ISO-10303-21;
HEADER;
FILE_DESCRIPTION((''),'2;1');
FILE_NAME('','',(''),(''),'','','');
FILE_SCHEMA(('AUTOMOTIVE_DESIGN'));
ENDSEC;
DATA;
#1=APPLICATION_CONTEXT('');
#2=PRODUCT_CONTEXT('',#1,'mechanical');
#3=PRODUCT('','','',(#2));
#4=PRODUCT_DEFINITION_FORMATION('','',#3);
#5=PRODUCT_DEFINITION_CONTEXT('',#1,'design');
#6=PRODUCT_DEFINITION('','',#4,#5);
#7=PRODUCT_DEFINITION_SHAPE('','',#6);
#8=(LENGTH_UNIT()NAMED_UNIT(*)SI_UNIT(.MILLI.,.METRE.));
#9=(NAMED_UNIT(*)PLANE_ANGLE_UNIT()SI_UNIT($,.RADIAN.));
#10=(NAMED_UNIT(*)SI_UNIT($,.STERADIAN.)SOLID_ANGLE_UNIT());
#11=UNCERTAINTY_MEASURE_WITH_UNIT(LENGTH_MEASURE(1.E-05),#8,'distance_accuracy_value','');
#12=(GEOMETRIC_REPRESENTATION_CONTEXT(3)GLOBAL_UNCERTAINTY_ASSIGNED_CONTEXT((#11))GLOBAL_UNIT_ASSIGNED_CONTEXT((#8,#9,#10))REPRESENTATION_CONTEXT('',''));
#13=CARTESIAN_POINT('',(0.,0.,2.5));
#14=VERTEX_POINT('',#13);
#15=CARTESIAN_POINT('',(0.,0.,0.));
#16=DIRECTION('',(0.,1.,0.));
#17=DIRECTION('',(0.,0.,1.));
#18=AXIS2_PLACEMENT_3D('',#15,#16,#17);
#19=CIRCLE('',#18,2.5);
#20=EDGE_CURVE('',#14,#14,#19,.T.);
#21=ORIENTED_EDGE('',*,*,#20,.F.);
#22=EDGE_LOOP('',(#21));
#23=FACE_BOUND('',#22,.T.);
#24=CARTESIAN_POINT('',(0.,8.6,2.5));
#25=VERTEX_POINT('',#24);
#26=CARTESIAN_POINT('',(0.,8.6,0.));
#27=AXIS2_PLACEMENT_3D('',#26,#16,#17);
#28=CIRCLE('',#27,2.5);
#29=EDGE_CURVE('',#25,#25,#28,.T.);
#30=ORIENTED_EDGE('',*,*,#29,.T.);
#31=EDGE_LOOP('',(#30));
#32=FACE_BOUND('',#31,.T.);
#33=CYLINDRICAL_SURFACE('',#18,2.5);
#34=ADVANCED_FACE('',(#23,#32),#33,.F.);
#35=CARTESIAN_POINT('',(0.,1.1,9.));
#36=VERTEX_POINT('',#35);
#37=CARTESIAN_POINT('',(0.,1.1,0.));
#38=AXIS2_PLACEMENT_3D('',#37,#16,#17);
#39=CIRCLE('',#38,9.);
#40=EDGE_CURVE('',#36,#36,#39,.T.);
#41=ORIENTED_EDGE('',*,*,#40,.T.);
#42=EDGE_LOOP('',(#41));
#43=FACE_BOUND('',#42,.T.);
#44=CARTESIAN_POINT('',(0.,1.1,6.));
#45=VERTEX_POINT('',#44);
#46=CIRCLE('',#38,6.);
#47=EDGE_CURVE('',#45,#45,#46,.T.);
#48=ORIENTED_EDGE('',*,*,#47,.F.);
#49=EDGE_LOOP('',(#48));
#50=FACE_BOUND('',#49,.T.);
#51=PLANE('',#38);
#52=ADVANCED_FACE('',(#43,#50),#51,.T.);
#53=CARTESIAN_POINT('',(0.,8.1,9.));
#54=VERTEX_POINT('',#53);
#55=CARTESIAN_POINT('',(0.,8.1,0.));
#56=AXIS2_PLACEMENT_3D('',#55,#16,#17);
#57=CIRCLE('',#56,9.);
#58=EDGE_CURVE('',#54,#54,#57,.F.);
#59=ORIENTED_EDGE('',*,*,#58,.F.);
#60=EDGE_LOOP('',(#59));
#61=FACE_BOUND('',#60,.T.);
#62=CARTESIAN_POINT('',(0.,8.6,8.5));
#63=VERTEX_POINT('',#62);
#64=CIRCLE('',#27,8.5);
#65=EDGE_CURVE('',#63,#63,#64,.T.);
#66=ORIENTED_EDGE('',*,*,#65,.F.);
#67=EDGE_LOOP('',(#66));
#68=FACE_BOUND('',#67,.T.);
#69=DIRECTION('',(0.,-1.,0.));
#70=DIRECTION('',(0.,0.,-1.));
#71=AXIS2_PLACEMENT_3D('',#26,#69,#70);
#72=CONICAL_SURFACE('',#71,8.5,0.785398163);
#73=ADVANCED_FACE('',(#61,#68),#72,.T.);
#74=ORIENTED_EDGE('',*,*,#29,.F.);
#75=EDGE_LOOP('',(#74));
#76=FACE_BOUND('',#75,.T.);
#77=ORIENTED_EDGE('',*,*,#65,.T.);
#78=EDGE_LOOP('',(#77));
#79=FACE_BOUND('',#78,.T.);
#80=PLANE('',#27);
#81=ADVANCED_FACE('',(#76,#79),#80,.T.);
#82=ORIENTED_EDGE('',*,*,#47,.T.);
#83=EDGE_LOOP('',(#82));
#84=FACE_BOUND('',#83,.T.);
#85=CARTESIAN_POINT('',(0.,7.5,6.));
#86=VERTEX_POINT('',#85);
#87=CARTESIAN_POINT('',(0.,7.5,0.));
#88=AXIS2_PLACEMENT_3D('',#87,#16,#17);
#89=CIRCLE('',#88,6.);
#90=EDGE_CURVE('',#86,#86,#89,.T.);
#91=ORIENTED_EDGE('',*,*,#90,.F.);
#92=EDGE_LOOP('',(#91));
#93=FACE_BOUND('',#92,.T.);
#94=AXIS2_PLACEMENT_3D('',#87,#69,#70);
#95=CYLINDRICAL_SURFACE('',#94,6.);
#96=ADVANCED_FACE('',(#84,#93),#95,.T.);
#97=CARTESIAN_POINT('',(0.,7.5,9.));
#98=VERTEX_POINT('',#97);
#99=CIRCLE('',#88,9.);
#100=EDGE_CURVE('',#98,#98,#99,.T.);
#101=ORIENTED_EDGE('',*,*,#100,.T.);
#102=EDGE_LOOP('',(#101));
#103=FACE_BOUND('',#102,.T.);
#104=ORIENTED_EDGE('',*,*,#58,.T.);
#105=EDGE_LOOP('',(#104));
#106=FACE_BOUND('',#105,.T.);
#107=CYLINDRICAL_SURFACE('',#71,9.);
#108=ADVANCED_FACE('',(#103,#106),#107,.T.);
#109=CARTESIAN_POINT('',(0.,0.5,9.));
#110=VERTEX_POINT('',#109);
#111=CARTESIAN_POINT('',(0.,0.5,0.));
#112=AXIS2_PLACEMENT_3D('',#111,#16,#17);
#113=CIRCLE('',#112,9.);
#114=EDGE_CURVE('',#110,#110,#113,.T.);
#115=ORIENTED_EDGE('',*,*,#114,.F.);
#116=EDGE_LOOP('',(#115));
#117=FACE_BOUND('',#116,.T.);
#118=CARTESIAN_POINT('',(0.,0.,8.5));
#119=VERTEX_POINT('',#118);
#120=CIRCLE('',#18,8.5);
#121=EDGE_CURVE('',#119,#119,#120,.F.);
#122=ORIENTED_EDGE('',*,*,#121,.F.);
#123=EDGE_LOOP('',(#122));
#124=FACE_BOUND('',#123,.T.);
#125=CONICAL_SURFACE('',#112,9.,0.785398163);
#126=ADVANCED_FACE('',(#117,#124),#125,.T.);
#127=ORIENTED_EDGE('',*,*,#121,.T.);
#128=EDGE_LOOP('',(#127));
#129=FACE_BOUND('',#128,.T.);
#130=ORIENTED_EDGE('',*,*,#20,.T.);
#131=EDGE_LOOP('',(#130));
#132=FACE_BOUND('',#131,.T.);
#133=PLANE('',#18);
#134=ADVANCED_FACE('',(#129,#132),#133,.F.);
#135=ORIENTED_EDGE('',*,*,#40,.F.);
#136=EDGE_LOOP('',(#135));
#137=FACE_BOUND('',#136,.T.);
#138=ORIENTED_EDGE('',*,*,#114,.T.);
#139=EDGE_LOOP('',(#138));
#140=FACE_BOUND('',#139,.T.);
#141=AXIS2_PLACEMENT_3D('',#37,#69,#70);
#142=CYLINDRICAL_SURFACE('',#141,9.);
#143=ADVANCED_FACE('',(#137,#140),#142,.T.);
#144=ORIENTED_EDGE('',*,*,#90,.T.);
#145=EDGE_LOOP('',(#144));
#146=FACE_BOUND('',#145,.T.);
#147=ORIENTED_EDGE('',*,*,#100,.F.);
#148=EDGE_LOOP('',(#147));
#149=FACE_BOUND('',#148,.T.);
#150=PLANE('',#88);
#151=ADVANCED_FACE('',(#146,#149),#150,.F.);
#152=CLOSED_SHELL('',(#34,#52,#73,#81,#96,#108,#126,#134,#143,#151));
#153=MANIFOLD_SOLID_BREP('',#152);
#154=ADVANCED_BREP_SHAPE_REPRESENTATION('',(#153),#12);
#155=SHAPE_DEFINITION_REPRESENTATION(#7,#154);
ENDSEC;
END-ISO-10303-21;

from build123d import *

# Parameters (mm, degrees)
SKETCH_1_R          = 9
EXTRUDE_1_DEPTH     = 1.1
SKETCH_2_R          = 6
EXTRUDE_2_DEPTH     = 6.4
SKETCH_3_R          = 9
EXTRUDE_3_DEPTH     = 1.1
CHAMFER_1_SIZE      = 0.5
SKETCH_4_R          = 2.5
CUT_EXTRUDE_1_DEPTH = 9.6


with BuildPart() as part:
    # 草图1 → 凸台-拉伸1 (new body)
    with BuildSketch(Plane(origin=(0, 0, 0), x_dir=(1, 0, 0), z_dir=(0, 1, 0))):
        Circle(SKETCH_1_R)
    extrude(amount=EXTRUDE_1_DEPTH)

    # 草图2 → 凸台-拉伸2 (add)
    with BuildSketch(Plane(origin=(0, 1.1, 0), x_dir=(1, 0, 0), z_dir=(0, 1, 0))):
        Circle(SKETCH_2_R)
    extrude(amount=EXTRUDE_2_DEPTH)

    # 草图3 → 凸台-拉伸3 (add)
    with BuildSketch(Plane(origin=(0, 7.5, 0), x_dir=(1, 0, 0), z_dir=(0, 1, 0))):
        Circle(SKETCH_3_R)
    extrude(amount=EXTRUDE_3_DEPTH)

    # 倒角1
    chamfer_1_edges = [part.edges().sort_by_distance(p)[0] for p in [
        (-9, 0, 0),
        (-9, 8.6, 0),
    ]]
    chamfer(chamfer_1_edges, length=CHAMFER_1_SIZE)

    # 草图4 → 切除-拉伸1 (cut, through all)
    with BuildSketch(Plane(origin=(0, 8.6, 0), x_dir=(1, 0, 0), z_dir=(0, 1, 0))):
        Circle(SKETCH_4_R)
    extrude(amount=-CUT_EXTRUDE_1_DEPTH, mode=Mode.SUBTRACT)


solid = part.part
